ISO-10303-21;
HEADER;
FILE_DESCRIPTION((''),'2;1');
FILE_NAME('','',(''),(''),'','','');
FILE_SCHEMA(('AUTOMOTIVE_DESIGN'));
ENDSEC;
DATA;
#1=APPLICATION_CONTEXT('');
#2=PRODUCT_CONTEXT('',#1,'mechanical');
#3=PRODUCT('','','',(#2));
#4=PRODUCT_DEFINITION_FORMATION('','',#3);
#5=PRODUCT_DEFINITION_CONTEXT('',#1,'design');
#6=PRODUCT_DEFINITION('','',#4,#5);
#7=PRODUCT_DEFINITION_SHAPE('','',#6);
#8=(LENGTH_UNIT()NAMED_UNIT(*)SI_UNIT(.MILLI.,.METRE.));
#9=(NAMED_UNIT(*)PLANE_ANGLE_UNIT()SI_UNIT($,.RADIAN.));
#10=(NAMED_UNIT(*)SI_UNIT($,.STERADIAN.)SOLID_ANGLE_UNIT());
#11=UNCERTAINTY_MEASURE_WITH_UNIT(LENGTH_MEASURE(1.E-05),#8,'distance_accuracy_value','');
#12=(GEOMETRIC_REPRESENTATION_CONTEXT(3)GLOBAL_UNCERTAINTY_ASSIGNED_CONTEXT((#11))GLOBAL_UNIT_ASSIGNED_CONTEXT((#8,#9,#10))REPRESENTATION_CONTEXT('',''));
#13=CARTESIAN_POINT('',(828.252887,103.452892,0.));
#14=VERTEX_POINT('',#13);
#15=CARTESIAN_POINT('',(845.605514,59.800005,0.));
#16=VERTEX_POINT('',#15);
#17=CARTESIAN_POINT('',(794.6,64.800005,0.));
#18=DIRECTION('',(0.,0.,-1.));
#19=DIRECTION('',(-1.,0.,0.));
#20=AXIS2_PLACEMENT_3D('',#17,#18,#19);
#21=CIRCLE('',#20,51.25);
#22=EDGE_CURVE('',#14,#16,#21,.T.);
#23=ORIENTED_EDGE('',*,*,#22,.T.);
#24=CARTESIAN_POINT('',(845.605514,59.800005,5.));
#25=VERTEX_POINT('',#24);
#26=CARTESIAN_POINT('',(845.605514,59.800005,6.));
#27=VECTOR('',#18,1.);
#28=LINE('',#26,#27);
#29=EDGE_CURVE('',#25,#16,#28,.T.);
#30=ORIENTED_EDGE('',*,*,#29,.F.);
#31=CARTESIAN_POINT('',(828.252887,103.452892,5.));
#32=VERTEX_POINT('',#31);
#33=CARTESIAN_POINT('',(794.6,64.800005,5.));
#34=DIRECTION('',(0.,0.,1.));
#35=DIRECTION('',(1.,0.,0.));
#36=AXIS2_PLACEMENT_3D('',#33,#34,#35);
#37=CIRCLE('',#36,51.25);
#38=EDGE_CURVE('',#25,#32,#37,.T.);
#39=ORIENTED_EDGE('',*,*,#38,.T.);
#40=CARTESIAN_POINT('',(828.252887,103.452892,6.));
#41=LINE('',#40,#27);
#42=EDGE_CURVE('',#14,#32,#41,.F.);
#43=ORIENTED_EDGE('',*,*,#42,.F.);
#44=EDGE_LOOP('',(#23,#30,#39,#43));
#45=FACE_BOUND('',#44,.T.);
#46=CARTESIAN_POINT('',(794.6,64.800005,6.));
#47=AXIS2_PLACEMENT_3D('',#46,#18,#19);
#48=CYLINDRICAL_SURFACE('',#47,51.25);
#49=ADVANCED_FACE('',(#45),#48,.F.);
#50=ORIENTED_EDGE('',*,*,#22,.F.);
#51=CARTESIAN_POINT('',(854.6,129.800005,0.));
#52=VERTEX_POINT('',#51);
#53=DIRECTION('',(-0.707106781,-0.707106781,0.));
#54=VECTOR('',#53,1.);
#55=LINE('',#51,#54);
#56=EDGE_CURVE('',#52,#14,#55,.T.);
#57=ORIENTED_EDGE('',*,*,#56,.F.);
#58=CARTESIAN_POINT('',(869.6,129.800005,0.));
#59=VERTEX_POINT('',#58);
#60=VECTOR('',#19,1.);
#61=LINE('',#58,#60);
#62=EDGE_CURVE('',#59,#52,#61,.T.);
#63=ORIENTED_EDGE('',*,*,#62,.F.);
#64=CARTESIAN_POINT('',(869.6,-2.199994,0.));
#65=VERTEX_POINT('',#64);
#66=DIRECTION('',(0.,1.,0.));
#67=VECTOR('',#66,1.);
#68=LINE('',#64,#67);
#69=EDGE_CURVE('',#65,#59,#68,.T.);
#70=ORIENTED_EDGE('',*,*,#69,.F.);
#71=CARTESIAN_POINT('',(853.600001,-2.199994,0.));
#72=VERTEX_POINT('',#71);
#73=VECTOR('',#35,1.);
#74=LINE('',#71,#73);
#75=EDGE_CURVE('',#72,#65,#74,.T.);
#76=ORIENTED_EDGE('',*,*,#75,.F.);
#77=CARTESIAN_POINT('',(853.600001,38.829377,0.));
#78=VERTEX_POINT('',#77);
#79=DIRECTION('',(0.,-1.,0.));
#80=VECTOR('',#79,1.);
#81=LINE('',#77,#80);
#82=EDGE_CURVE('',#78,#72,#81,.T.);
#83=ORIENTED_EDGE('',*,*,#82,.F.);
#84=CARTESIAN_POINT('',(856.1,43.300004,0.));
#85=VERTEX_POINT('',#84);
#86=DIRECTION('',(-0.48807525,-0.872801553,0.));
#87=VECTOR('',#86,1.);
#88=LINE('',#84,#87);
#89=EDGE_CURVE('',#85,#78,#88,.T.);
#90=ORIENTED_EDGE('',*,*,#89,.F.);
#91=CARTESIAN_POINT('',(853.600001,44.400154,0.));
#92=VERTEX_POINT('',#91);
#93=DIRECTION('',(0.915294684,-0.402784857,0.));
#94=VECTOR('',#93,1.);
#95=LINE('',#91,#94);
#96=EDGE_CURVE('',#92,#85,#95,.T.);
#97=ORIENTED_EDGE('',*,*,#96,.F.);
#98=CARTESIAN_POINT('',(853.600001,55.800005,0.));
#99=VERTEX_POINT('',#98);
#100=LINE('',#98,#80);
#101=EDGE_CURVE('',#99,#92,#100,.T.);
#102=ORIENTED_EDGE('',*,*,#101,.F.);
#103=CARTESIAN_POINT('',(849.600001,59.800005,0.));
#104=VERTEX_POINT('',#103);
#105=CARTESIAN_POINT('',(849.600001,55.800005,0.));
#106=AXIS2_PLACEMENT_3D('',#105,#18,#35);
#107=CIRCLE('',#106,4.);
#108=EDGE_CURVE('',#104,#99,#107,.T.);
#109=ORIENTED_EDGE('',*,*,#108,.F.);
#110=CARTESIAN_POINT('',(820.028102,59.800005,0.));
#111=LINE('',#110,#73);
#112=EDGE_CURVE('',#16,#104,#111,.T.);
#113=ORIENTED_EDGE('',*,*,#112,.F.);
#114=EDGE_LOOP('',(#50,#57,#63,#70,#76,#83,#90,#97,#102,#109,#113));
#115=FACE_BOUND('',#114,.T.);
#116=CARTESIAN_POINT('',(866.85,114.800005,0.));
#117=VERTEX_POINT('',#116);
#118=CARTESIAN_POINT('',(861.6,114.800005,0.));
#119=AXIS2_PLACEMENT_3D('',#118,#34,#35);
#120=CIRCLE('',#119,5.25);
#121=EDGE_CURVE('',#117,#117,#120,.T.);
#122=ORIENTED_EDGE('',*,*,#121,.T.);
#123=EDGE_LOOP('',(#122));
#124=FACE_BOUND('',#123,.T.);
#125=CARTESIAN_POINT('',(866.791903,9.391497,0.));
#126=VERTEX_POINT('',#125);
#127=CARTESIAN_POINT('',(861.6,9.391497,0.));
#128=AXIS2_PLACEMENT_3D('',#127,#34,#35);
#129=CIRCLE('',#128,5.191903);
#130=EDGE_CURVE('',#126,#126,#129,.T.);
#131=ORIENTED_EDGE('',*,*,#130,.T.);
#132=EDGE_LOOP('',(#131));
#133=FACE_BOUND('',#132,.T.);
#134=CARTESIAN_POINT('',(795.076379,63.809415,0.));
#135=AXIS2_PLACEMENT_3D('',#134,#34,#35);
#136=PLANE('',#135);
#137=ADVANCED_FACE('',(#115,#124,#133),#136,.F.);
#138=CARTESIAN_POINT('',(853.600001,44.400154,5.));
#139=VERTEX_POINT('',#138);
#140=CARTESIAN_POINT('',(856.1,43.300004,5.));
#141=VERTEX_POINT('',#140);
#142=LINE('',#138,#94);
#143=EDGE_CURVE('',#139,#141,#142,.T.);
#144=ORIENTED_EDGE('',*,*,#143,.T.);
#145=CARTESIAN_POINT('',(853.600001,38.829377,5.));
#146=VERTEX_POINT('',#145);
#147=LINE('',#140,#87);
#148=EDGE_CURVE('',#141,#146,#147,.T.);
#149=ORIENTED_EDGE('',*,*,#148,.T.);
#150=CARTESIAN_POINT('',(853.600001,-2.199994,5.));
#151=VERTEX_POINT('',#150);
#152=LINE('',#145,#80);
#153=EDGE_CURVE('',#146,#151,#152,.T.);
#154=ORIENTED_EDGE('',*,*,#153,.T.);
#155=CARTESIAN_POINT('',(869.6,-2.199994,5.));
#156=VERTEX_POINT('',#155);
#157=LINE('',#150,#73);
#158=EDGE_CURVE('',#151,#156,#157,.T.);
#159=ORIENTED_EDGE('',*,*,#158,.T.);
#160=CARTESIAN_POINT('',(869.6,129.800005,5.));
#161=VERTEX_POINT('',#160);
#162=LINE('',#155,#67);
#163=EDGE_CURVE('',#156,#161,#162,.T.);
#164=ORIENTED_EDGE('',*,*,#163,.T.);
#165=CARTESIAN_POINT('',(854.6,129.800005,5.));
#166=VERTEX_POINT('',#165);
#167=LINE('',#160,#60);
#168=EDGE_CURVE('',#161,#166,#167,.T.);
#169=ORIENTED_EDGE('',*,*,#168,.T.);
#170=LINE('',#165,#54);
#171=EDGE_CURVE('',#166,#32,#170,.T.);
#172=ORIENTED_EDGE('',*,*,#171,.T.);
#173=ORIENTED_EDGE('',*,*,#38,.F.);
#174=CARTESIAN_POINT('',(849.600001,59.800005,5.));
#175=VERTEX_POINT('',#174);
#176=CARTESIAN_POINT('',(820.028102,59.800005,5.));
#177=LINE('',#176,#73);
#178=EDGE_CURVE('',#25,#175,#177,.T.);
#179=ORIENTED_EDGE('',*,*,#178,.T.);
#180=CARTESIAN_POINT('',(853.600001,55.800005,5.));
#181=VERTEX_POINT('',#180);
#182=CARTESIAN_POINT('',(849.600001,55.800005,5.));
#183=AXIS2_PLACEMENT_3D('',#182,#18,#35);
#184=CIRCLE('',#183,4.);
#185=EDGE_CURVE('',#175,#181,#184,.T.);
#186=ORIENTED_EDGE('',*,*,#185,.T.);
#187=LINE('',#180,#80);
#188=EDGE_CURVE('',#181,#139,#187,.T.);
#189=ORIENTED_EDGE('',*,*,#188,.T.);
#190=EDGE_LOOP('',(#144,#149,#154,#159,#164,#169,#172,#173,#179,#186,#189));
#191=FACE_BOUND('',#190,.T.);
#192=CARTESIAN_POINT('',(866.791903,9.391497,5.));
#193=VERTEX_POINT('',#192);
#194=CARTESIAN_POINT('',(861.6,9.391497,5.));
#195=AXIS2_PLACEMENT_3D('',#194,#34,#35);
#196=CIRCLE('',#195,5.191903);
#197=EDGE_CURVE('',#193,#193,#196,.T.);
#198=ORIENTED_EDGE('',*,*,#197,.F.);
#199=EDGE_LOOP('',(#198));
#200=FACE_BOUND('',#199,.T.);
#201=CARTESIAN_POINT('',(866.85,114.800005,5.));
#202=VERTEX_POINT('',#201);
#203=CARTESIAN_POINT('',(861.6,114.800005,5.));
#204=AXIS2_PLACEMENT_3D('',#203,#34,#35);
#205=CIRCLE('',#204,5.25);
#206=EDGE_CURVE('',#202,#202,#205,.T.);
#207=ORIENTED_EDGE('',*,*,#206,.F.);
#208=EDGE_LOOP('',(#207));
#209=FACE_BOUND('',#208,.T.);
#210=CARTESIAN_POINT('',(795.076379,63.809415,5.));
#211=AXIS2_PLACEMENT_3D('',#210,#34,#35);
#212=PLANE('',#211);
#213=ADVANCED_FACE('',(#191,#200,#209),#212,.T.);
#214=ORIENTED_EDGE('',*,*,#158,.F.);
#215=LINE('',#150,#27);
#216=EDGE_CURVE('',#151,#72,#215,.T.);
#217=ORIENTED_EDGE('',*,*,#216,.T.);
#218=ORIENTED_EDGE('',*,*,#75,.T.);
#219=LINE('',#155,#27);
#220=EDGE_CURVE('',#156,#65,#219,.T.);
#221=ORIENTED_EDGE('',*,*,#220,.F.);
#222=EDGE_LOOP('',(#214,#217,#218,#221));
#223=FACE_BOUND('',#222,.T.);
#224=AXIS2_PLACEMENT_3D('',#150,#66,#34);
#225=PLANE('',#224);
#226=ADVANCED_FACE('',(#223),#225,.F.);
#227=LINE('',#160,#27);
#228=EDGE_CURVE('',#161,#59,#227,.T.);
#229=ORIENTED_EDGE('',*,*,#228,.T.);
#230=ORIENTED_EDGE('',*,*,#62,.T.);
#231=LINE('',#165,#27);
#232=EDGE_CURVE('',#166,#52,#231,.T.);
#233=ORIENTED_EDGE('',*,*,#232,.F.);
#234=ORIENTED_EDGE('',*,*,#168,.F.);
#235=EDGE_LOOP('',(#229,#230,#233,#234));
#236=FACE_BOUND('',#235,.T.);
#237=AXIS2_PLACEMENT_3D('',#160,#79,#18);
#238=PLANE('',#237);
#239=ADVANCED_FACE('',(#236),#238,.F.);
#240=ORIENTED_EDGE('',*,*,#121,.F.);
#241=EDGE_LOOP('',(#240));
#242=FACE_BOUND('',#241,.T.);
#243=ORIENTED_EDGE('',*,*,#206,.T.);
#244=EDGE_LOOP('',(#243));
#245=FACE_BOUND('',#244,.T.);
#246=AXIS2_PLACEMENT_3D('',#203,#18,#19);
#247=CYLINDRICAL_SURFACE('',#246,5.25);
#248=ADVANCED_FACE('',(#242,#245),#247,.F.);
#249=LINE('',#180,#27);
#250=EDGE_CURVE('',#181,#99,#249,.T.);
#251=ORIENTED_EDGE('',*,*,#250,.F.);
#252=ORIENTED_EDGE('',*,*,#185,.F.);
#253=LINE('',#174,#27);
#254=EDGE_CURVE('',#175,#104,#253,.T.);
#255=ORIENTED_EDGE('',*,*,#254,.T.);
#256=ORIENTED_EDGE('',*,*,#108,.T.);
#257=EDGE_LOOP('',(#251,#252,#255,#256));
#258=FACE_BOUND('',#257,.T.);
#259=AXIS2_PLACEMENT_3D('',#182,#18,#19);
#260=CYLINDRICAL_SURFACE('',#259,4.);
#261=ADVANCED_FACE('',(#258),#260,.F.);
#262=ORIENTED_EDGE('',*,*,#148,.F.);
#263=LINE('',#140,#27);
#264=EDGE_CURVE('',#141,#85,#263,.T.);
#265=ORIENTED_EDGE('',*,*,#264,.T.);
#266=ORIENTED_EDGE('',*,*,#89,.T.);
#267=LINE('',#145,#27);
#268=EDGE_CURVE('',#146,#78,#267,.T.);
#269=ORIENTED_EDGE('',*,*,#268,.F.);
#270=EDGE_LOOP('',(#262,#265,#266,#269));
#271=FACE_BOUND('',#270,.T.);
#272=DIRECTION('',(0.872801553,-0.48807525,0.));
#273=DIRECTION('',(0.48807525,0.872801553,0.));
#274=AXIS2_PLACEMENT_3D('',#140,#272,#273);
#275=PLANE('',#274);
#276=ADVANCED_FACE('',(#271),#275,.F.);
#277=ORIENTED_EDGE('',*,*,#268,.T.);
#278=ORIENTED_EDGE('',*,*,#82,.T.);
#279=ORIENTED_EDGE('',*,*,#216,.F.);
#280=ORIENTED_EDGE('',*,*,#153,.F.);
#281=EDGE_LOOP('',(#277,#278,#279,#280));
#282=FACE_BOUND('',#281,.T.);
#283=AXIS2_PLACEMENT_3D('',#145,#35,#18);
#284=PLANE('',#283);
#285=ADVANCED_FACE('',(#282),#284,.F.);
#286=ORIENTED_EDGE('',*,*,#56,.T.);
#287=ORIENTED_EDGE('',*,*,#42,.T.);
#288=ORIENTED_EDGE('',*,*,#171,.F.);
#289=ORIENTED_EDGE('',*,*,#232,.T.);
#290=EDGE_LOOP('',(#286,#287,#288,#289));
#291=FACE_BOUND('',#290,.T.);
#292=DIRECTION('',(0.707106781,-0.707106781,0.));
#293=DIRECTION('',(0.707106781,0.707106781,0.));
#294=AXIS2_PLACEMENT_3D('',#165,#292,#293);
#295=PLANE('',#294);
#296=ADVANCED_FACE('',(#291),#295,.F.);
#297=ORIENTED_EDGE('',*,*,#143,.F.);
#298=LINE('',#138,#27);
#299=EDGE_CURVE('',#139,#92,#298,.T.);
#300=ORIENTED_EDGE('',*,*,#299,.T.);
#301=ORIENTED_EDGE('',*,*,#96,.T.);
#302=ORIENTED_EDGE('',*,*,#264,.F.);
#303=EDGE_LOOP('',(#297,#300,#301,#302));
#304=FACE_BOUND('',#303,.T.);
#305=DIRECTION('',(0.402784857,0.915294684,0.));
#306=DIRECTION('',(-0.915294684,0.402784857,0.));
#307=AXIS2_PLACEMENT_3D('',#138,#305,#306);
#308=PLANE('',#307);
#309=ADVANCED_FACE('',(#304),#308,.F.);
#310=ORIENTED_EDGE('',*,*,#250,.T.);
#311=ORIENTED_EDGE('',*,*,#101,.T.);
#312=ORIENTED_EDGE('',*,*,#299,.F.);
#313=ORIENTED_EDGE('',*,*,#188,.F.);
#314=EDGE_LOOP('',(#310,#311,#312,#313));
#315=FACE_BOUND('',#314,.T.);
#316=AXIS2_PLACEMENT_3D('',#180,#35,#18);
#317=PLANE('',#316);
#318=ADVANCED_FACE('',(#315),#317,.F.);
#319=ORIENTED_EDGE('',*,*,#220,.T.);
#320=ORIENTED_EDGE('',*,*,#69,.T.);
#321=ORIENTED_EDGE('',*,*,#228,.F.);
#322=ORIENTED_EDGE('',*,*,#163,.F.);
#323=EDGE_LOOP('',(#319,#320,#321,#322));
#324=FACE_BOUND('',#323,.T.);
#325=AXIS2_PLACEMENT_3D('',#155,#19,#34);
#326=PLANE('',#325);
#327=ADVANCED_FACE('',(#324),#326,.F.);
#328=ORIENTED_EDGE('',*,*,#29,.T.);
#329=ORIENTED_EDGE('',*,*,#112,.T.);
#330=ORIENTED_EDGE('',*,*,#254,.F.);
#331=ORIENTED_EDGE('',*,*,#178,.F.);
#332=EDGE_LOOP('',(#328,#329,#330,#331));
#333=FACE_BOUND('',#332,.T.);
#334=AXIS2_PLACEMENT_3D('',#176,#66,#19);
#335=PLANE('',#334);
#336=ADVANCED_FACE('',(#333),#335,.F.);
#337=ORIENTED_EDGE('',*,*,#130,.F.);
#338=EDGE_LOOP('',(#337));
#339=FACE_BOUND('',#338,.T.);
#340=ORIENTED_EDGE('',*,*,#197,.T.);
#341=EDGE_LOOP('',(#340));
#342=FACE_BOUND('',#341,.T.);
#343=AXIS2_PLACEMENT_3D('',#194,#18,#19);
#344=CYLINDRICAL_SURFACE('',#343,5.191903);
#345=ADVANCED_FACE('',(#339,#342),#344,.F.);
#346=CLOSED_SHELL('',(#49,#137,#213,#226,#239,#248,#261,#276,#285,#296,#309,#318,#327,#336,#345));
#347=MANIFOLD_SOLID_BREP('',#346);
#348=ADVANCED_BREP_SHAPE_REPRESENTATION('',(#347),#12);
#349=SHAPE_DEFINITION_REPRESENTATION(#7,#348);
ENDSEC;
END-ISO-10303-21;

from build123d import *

# Parameters (mm, degrees)
MODEL_R             = 5.191903136
MODEL_R_2           = 5.25
BOSS_EXTRUDE1_DEPTH = 5
BOSS_EXTRUDE2_DEPTH = 5
SKETCH3_R           = 51.25
CUT_EXTRUDE1_DEPTH  = 6


with BuildPart() as part:
    # Model → Boss-Extrude1 (new body)
    with BuildSketch(Plane.XY):
        with BuildLine():
            Line((869.6, 129.800004709), (854.6, 129.800004709))
            Line((854.6, 129.800004709), (854.6, 124.800004709))
            ThreePointArc((854.6, 124.800004709), (842.940279, 95.005240735), (815.123335737, 79.19718198))
            ThreePointArc((815.123335737, 79.19718198), (819.577050566, 70.004649675), (820.028101645, 59.800004709))
            Line((820.028101645, 59.800004709), (849.60000149, 59.800004709))
            ThreePointArc((849.60000149, 59.800004709), (852.428428615, 58.628431833), (853.60000149, 55.800004709))
            Line((853.60000149, 55.800004709), (853.60000149, 44.400154403))
            Line((853.60000149, 44.400154403), (856.099999799, 43.300004388))
            Line((856.099999799, 43.300004388), (853.60000149, 38.829377357))
            Line((853.60000149, 38.829377357), (853.60000149, -2.199993903))
            Line((853.60000149, -2.199993903), (869.6, -2.199993903))
            Line((869.6, -2.199993903), (869.6, 129.800004709))
        make_face()
        with Locations((861.6, 9.391497171)):
            Circle(MODEL_R, mode=Mode.SUBTRACT)
        with Locations((861.6, 114.800004709)):
            Circle(MODEL_R_2, mode=Mode.SUBTRACT)
    extrude(amount=BOSS_EXTRUDE1_DEPTH)

    # Sketch4 → Boss-Extrude2 (add)
    with BuildSketch(Plane.XY):
        Polygon((854.6, 129.800004709), (799.700462268, 74.900466976), (857.081865671, 78.451748184), (855.676639351, 119.436170701), (858.647890459, 128.484980891), align=None)
    extrude(amount=BOSS_EXTRUDE2_DEPTH)

    # Sketch3 → Cut-Extrude1 (cut)
    with BuildSketch(Plane(origin=(0, 0, 0), x_dir=(-1, 0, 0), z_dir=(0, 0, -1))):
        with Locations((-794.6, 64.800004709)):
            Circle(SKETCH3_R)
    extrude(amount=-CUT_EXTRUDE1_DEPTH, mode=Mode.SUBTRACT)


solid = part.part
